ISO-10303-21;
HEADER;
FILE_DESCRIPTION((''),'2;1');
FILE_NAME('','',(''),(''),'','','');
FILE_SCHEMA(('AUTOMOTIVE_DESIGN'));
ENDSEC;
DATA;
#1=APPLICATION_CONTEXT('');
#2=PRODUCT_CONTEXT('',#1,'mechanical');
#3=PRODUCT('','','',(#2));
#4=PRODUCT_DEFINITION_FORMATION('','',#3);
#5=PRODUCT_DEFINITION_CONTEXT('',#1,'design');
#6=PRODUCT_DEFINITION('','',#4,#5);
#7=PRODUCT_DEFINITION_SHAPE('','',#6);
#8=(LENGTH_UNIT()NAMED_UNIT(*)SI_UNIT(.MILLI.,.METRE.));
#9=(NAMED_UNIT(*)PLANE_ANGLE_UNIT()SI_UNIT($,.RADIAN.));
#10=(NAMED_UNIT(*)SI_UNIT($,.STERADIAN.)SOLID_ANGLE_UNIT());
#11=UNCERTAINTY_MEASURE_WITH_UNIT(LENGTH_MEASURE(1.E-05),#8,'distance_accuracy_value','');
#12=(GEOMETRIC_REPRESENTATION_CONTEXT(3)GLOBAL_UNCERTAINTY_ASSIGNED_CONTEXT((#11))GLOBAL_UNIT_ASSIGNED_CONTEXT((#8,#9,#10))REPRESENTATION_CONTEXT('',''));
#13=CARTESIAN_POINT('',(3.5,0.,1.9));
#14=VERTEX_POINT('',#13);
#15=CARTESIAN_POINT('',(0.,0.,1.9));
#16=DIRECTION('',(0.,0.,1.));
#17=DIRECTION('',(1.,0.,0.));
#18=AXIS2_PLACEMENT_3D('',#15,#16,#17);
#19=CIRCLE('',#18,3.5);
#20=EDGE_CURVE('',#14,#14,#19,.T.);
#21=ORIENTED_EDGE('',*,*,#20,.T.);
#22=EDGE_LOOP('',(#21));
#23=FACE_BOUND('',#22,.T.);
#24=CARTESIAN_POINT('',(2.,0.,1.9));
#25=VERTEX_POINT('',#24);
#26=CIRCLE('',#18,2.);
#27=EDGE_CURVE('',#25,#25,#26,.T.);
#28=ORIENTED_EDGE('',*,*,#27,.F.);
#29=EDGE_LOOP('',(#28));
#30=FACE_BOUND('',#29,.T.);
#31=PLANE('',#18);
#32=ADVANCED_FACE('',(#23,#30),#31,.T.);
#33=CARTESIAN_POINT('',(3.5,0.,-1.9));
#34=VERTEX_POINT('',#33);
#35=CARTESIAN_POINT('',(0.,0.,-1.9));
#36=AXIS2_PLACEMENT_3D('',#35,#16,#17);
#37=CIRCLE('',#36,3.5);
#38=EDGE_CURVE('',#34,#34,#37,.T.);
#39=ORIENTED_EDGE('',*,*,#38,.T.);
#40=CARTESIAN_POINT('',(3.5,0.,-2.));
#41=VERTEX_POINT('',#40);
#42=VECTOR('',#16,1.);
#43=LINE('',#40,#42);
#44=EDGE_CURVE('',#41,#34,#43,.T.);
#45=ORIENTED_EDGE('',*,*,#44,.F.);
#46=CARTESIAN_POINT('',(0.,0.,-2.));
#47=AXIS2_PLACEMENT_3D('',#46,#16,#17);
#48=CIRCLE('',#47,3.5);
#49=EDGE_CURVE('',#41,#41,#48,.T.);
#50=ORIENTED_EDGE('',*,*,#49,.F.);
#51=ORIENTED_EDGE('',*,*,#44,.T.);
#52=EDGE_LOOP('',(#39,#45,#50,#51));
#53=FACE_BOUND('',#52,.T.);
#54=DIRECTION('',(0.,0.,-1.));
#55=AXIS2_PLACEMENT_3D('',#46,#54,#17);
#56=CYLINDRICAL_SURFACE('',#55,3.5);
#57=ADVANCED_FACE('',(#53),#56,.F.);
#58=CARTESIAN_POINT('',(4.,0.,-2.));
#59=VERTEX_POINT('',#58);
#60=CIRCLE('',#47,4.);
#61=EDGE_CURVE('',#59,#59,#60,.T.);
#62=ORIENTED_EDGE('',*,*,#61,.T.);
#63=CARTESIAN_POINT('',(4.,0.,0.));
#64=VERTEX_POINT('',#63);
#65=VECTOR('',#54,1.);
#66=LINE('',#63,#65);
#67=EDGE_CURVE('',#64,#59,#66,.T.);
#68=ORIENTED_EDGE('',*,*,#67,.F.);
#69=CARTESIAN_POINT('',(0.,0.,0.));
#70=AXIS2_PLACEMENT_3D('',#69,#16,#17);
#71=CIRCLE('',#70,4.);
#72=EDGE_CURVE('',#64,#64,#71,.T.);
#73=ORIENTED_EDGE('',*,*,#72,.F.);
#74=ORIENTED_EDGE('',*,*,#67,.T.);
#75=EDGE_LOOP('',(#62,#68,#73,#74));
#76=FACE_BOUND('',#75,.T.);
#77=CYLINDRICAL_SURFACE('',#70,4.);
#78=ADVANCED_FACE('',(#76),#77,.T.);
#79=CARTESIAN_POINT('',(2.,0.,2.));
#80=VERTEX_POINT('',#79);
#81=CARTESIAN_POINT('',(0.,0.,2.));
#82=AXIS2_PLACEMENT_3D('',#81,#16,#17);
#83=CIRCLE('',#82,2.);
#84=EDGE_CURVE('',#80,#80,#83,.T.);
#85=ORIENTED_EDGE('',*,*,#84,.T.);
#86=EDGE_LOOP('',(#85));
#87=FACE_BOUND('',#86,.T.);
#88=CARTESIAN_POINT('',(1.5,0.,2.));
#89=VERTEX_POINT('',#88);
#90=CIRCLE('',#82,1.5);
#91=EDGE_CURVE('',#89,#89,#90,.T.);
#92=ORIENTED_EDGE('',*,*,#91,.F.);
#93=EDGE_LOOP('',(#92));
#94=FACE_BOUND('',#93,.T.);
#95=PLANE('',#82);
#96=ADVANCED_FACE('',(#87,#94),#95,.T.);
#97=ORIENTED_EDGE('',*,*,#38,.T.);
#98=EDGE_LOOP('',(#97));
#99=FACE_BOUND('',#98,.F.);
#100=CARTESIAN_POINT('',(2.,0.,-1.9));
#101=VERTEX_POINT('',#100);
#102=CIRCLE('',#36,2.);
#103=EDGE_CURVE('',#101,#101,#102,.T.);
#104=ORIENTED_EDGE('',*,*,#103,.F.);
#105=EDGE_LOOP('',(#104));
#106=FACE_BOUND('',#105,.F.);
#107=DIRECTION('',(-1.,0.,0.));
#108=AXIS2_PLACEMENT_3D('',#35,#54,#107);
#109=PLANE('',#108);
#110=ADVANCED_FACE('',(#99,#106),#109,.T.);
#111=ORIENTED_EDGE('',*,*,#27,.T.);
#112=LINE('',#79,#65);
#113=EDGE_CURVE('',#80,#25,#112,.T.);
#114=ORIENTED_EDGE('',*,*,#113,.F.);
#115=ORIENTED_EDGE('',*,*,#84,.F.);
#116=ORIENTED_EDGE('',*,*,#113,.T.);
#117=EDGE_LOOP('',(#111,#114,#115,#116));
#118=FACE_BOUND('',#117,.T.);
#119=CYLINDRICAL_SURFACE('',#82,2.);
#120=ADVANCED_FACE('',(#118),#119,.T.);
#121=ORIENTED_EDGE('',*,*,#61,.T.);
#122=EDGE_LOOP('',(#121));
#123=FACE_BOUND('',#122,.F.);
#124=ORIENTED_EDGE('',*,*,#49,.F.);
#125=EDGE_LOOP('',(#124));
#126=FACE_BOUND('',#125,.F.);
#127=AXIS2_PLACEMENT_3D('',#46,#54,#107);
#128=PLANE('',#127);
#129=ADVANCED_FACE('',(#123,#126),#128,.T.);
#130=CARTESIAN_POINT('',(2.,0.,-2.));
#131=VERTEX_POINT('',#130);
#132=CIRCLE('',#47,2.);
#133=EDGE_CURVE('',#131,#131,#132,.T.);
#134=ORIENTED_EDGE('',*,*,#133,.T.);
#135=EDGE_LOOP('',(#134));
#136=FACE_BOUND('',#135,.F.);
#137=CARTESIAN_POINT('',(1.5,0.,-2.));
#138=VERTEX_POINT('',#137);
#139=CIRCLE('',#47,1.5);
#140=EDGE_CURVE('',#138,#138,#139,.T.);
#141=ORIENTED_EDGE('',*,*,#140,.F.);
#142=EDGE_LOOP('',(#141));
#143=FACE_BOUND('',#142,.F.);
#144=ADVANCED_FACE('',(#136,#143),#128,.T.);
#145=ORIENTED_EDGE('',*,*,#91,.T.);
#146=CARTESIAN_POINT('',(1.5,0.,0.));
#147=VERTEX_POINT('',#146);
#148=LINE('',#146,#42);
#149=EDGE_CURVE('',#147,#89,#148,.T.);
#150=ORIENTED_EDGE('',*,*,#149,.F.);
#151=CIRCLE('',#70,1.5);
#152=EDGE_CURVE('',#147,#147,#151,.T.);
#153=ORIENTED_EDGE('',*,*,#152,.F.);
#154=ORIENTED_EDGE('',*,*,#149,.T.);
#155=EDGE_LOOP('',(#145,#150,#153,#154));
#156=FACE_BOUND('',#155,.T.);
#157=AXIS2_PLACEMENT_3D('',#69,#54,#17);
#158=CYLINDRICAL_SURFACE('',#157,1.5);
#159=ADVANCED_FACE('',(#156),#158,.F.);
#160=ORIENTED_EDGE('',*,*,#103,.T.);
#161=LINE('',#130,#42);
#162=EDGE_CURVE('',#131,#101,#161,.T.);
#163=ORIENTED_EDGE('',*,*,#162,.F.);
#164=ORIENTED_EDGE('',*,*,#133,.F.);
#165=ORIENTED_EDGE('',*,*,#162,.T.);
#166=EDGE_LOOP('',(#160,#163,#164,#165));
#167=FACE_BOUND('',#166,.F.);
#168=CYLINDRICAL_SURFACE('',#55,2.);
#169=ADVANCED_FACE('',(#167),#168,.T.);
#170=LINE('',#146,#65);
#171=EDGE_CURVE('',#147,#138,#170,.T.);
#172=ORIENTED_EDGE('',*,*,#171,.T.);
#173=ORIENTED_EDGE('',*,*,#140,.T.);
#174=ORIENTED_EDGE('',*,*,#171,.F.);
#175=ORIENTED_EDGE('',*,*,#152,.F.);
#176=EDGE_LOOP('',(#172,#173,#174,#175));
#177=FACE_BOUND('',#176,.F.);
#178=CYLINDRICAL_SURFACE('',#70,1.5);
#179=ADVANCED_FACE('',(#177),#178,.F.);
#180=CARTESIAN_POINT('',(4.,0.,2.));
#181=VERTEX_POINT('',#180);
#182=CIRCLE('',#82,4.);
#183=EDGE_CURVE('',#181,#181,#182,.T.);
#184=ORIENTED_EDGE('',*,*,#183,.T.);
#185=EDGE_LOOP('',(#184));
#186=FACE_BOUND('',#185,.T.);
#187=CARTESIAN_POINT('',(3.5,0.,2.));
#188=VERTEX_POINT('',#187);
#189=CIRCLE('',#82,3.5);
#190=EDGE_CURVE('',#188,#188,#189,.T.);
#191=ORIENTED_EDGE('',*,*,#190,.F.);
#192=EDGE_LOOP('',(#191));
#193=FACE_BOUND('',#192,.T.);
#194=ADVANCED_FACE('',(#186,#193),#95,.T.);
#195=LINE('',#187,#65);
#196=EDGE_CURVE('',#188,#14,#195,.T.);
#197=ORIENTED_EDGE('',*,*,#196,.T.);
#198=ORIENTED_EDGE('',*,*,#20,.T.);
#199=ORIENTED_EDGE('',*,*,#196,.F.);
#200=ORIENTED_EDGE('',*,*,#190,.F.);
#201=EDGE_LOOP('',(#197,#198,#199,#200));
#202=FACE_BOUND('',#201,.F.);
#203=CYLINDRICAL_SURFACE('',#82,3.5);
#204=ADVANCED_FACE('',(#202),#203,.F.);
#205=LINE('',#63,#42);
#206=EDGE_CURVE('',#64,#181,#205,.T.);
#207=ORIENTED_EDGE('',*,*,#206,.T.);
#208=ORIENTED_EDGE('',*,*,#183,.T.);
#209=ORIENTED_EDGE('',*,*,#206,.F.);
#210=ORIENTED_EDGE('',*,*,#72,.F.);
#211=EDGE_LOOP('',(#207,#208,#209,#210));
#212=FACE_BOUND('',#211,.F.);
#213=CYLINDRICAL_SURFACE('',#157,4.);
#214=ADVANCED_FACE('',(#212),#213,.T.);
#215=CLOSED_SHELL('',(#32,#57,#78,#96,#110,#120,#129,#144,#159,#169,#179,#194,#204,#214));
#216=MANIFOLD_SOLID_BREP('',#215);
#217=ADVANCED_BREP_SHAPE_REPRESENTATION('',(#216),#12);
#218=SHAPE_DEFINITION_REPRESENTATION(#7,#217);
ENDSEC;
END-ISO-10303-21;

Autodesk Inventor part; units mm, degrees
ref_plane "YZ Plane" through (0, 0, 0) normal (1, 0, 0) x (0, 1, 0)
ref_plane "XZ Plane" through (0, 0, 0) normal (0, 1, 0) x (-1, 0, 0)
ref_plane "XY Plane" through (0, 0, 0) normal (0, 0, 1) x (1, 0, 0)
sketch "スケッチ1" plane through (0, 0, 0) normal (0, 0, 1) x (1, 0, 0)
  circle A0 centre (0, 0) radius 1.5
  circle A1 centre (0, 0) radius 4
  circle A2 centre (0, 0) radius 2
  circle A3 centre (0, 0) radius 3.5
  dimension "d0" = 3
  dimension "d1" = 8
  dimension "d2" = 4
  dimension "d3" = 0.5
extrude "押し出し1" add sketch "スケッチ1" along normal blind 2 contours A1 | A2 | A3
extrude "押し出し2" cut sketch "スケッチ1" against normal blind 0.1 from surface at 2 contours A3
mirror "ミラー1" about plane through (0, 0, 0) normal (0, 0, -1) of "押し出し1", "押し出し2"
properties part number "693ZZ" material "ステンレス鋼"
